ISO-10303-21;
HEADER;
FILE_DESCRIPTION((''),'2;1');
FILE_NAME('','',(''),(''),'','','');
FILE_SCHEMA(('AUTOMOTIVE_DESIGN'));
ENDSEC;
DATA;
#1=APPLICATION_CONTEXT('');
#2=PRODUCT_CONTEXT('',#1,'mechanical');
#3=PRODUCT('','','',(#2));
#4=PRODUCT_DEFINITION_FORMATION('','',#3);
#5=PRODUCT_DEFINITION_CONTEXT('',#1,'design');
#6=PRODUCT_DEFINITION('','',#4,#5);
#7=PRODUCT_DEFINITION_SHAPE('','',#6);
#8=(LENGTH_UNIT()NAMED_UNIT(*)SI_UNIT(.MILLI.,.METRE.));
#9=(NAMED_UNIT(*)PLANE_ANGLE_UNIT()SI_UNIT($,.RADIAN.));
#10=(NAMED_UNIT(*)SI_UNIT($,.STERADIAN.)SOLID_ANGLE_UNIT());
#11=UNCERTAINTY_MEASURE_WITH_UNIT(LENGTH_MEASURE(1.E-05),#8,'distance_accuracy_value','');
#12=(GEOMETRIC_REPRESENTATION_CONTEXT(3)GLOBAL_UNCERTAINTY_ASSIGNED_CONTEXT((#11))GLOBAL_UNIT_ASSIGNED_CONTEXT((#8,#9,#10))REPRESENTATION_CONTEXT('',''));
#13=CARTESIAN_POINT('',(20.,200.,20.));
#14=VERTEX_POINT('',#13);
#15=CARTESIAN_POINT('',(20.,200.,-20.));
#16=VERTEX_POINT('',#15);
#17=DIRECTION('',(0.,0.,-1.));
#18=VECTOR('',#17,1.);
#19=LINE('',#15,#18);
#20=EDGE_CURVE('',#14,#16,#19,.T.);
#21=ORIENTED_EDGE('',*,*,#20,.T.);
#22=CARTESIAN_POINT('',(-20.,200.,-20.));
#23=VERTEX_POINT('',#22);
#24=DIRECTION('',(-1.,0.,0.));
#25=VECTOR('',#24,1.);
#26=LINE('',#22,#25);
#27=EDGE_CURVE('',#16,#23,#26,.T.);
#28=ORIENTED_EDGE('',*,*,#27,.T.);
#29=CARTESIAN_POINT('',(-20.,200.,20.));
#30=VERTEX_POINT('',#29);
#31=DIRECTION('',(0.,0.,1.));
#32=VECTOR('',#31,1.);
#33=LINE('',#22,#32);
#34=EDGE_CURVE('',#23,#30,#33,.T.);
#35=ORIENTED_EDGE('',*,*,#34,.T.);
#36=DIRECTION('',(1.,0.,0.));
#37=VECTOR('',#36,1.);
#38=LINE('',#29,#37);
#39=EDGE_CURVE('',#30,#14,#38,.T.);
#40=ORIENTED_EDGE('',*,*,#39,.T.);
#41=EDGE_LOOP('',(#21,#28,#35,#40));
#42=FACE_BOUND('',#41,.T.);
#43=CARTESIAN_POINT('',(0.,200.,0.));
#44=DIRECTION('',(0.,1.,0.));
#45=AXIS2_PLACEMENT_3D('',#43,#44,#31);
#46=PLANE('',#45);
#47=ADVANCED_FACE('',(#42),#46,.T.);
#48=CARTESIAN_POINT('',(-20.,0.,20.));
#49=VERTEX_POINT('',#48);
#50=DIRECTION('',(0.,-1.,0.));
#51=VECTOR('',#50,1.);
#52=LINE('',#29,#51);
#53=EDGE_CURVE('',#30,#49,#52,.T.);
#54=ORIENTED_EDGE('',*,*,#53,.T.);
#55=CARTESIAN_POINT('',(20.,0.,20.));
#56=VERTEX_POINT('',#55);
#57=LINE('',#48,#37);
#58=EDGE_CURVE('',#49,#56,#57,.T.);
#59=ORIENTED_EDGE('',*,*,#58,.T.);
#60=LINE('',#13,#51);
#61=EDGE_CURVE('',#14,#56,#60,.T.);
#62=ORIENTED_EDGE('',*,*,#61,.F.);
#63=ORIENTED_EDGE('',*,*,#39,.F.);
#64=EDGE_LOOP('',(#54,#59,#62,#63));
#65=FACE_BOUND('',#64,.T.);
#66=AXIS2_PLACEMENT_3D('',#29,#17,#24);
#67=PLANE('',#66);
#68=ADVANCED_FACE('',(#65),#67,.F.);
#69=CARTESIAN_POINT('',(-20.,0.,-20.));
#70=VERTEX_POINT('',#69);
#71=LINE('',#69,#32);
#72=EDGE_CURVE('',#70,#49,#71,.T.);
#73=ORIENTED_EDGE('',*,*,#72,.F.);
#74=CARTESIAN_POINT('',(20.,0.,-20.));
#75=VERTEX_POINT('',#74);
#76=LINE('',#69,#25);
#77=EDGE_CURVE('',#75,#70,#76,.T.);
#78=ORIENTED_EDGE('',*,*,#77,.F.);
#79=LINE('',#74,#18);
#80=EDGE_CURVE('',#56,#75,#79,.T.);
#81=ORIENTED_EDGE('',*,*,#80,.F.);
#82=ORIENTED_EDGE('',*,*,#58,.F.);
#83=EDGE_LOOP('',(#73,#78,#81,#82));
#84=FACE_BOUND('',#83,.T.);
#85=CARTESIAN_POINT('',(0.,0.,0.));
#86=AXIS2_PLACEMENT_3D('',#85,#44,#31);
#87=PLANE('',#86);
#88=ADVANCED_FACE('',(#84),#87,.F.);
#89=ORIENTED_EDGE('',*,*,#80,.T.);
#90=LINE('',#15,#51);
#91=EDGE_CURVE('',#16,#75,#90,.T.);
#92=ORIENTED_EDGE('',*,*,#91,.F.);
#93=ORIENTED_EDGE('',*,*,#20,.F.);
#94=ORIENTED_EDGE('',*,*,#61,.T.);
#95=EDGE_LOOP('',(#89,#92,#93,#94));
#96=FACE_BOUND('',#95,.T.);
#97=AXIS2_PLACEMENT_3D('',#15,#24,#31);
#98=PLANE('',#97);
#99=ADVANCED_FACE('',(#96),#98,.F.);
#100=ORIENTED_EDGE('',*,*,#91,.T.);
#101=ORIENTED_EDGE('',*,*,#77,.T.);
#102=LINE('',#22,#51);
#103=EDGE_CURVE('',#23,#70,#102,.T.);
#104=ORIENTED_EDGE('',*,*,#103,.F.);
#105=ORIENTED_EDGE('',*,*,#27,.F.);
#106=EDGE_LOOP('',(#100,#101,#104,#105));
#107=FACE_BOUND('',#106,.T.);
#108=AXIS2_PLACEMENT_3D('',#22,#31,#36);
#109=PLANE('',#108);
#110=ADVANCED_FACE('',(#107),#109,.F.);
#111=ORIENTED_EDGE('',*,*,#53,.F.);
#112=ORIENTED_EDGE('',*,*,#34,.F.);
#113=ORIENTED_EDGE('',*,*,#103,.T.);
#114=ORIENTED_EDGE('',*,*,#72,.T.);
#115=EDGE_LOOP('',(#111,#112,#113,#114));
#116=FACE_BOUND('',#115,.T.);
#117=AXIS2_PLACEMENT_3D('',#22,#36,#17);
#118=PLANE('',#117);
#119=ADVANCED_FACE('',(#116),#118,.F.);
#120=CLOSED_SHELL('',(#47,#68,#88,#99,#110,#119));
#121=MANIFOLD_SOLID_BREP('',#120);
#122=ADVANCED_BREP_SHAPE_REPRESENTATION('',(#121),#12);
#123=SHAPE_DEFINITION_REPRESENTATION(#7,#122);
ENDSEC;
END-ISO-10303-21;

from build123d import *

# Parameters (mm, degrees)
SKETCH1_W           = 40
SKETCH1_H           = 40
BOSS_EXTRUDE1_DEPTH = 200


with BuildPart() as part:
    # Sketch1 → Boss-Extrude1 (new body)
    with BuildSketch(Plane(origin=(0, 0, 0), x_dir=(1, 0, 0), z_dir=(0, 1, 0))):
        Rectangle(SKETCH1_W, SKETCH1_H)
    extrude(amount=BOSS_EXTRUDE1_DEPTH)


solid = part.part
